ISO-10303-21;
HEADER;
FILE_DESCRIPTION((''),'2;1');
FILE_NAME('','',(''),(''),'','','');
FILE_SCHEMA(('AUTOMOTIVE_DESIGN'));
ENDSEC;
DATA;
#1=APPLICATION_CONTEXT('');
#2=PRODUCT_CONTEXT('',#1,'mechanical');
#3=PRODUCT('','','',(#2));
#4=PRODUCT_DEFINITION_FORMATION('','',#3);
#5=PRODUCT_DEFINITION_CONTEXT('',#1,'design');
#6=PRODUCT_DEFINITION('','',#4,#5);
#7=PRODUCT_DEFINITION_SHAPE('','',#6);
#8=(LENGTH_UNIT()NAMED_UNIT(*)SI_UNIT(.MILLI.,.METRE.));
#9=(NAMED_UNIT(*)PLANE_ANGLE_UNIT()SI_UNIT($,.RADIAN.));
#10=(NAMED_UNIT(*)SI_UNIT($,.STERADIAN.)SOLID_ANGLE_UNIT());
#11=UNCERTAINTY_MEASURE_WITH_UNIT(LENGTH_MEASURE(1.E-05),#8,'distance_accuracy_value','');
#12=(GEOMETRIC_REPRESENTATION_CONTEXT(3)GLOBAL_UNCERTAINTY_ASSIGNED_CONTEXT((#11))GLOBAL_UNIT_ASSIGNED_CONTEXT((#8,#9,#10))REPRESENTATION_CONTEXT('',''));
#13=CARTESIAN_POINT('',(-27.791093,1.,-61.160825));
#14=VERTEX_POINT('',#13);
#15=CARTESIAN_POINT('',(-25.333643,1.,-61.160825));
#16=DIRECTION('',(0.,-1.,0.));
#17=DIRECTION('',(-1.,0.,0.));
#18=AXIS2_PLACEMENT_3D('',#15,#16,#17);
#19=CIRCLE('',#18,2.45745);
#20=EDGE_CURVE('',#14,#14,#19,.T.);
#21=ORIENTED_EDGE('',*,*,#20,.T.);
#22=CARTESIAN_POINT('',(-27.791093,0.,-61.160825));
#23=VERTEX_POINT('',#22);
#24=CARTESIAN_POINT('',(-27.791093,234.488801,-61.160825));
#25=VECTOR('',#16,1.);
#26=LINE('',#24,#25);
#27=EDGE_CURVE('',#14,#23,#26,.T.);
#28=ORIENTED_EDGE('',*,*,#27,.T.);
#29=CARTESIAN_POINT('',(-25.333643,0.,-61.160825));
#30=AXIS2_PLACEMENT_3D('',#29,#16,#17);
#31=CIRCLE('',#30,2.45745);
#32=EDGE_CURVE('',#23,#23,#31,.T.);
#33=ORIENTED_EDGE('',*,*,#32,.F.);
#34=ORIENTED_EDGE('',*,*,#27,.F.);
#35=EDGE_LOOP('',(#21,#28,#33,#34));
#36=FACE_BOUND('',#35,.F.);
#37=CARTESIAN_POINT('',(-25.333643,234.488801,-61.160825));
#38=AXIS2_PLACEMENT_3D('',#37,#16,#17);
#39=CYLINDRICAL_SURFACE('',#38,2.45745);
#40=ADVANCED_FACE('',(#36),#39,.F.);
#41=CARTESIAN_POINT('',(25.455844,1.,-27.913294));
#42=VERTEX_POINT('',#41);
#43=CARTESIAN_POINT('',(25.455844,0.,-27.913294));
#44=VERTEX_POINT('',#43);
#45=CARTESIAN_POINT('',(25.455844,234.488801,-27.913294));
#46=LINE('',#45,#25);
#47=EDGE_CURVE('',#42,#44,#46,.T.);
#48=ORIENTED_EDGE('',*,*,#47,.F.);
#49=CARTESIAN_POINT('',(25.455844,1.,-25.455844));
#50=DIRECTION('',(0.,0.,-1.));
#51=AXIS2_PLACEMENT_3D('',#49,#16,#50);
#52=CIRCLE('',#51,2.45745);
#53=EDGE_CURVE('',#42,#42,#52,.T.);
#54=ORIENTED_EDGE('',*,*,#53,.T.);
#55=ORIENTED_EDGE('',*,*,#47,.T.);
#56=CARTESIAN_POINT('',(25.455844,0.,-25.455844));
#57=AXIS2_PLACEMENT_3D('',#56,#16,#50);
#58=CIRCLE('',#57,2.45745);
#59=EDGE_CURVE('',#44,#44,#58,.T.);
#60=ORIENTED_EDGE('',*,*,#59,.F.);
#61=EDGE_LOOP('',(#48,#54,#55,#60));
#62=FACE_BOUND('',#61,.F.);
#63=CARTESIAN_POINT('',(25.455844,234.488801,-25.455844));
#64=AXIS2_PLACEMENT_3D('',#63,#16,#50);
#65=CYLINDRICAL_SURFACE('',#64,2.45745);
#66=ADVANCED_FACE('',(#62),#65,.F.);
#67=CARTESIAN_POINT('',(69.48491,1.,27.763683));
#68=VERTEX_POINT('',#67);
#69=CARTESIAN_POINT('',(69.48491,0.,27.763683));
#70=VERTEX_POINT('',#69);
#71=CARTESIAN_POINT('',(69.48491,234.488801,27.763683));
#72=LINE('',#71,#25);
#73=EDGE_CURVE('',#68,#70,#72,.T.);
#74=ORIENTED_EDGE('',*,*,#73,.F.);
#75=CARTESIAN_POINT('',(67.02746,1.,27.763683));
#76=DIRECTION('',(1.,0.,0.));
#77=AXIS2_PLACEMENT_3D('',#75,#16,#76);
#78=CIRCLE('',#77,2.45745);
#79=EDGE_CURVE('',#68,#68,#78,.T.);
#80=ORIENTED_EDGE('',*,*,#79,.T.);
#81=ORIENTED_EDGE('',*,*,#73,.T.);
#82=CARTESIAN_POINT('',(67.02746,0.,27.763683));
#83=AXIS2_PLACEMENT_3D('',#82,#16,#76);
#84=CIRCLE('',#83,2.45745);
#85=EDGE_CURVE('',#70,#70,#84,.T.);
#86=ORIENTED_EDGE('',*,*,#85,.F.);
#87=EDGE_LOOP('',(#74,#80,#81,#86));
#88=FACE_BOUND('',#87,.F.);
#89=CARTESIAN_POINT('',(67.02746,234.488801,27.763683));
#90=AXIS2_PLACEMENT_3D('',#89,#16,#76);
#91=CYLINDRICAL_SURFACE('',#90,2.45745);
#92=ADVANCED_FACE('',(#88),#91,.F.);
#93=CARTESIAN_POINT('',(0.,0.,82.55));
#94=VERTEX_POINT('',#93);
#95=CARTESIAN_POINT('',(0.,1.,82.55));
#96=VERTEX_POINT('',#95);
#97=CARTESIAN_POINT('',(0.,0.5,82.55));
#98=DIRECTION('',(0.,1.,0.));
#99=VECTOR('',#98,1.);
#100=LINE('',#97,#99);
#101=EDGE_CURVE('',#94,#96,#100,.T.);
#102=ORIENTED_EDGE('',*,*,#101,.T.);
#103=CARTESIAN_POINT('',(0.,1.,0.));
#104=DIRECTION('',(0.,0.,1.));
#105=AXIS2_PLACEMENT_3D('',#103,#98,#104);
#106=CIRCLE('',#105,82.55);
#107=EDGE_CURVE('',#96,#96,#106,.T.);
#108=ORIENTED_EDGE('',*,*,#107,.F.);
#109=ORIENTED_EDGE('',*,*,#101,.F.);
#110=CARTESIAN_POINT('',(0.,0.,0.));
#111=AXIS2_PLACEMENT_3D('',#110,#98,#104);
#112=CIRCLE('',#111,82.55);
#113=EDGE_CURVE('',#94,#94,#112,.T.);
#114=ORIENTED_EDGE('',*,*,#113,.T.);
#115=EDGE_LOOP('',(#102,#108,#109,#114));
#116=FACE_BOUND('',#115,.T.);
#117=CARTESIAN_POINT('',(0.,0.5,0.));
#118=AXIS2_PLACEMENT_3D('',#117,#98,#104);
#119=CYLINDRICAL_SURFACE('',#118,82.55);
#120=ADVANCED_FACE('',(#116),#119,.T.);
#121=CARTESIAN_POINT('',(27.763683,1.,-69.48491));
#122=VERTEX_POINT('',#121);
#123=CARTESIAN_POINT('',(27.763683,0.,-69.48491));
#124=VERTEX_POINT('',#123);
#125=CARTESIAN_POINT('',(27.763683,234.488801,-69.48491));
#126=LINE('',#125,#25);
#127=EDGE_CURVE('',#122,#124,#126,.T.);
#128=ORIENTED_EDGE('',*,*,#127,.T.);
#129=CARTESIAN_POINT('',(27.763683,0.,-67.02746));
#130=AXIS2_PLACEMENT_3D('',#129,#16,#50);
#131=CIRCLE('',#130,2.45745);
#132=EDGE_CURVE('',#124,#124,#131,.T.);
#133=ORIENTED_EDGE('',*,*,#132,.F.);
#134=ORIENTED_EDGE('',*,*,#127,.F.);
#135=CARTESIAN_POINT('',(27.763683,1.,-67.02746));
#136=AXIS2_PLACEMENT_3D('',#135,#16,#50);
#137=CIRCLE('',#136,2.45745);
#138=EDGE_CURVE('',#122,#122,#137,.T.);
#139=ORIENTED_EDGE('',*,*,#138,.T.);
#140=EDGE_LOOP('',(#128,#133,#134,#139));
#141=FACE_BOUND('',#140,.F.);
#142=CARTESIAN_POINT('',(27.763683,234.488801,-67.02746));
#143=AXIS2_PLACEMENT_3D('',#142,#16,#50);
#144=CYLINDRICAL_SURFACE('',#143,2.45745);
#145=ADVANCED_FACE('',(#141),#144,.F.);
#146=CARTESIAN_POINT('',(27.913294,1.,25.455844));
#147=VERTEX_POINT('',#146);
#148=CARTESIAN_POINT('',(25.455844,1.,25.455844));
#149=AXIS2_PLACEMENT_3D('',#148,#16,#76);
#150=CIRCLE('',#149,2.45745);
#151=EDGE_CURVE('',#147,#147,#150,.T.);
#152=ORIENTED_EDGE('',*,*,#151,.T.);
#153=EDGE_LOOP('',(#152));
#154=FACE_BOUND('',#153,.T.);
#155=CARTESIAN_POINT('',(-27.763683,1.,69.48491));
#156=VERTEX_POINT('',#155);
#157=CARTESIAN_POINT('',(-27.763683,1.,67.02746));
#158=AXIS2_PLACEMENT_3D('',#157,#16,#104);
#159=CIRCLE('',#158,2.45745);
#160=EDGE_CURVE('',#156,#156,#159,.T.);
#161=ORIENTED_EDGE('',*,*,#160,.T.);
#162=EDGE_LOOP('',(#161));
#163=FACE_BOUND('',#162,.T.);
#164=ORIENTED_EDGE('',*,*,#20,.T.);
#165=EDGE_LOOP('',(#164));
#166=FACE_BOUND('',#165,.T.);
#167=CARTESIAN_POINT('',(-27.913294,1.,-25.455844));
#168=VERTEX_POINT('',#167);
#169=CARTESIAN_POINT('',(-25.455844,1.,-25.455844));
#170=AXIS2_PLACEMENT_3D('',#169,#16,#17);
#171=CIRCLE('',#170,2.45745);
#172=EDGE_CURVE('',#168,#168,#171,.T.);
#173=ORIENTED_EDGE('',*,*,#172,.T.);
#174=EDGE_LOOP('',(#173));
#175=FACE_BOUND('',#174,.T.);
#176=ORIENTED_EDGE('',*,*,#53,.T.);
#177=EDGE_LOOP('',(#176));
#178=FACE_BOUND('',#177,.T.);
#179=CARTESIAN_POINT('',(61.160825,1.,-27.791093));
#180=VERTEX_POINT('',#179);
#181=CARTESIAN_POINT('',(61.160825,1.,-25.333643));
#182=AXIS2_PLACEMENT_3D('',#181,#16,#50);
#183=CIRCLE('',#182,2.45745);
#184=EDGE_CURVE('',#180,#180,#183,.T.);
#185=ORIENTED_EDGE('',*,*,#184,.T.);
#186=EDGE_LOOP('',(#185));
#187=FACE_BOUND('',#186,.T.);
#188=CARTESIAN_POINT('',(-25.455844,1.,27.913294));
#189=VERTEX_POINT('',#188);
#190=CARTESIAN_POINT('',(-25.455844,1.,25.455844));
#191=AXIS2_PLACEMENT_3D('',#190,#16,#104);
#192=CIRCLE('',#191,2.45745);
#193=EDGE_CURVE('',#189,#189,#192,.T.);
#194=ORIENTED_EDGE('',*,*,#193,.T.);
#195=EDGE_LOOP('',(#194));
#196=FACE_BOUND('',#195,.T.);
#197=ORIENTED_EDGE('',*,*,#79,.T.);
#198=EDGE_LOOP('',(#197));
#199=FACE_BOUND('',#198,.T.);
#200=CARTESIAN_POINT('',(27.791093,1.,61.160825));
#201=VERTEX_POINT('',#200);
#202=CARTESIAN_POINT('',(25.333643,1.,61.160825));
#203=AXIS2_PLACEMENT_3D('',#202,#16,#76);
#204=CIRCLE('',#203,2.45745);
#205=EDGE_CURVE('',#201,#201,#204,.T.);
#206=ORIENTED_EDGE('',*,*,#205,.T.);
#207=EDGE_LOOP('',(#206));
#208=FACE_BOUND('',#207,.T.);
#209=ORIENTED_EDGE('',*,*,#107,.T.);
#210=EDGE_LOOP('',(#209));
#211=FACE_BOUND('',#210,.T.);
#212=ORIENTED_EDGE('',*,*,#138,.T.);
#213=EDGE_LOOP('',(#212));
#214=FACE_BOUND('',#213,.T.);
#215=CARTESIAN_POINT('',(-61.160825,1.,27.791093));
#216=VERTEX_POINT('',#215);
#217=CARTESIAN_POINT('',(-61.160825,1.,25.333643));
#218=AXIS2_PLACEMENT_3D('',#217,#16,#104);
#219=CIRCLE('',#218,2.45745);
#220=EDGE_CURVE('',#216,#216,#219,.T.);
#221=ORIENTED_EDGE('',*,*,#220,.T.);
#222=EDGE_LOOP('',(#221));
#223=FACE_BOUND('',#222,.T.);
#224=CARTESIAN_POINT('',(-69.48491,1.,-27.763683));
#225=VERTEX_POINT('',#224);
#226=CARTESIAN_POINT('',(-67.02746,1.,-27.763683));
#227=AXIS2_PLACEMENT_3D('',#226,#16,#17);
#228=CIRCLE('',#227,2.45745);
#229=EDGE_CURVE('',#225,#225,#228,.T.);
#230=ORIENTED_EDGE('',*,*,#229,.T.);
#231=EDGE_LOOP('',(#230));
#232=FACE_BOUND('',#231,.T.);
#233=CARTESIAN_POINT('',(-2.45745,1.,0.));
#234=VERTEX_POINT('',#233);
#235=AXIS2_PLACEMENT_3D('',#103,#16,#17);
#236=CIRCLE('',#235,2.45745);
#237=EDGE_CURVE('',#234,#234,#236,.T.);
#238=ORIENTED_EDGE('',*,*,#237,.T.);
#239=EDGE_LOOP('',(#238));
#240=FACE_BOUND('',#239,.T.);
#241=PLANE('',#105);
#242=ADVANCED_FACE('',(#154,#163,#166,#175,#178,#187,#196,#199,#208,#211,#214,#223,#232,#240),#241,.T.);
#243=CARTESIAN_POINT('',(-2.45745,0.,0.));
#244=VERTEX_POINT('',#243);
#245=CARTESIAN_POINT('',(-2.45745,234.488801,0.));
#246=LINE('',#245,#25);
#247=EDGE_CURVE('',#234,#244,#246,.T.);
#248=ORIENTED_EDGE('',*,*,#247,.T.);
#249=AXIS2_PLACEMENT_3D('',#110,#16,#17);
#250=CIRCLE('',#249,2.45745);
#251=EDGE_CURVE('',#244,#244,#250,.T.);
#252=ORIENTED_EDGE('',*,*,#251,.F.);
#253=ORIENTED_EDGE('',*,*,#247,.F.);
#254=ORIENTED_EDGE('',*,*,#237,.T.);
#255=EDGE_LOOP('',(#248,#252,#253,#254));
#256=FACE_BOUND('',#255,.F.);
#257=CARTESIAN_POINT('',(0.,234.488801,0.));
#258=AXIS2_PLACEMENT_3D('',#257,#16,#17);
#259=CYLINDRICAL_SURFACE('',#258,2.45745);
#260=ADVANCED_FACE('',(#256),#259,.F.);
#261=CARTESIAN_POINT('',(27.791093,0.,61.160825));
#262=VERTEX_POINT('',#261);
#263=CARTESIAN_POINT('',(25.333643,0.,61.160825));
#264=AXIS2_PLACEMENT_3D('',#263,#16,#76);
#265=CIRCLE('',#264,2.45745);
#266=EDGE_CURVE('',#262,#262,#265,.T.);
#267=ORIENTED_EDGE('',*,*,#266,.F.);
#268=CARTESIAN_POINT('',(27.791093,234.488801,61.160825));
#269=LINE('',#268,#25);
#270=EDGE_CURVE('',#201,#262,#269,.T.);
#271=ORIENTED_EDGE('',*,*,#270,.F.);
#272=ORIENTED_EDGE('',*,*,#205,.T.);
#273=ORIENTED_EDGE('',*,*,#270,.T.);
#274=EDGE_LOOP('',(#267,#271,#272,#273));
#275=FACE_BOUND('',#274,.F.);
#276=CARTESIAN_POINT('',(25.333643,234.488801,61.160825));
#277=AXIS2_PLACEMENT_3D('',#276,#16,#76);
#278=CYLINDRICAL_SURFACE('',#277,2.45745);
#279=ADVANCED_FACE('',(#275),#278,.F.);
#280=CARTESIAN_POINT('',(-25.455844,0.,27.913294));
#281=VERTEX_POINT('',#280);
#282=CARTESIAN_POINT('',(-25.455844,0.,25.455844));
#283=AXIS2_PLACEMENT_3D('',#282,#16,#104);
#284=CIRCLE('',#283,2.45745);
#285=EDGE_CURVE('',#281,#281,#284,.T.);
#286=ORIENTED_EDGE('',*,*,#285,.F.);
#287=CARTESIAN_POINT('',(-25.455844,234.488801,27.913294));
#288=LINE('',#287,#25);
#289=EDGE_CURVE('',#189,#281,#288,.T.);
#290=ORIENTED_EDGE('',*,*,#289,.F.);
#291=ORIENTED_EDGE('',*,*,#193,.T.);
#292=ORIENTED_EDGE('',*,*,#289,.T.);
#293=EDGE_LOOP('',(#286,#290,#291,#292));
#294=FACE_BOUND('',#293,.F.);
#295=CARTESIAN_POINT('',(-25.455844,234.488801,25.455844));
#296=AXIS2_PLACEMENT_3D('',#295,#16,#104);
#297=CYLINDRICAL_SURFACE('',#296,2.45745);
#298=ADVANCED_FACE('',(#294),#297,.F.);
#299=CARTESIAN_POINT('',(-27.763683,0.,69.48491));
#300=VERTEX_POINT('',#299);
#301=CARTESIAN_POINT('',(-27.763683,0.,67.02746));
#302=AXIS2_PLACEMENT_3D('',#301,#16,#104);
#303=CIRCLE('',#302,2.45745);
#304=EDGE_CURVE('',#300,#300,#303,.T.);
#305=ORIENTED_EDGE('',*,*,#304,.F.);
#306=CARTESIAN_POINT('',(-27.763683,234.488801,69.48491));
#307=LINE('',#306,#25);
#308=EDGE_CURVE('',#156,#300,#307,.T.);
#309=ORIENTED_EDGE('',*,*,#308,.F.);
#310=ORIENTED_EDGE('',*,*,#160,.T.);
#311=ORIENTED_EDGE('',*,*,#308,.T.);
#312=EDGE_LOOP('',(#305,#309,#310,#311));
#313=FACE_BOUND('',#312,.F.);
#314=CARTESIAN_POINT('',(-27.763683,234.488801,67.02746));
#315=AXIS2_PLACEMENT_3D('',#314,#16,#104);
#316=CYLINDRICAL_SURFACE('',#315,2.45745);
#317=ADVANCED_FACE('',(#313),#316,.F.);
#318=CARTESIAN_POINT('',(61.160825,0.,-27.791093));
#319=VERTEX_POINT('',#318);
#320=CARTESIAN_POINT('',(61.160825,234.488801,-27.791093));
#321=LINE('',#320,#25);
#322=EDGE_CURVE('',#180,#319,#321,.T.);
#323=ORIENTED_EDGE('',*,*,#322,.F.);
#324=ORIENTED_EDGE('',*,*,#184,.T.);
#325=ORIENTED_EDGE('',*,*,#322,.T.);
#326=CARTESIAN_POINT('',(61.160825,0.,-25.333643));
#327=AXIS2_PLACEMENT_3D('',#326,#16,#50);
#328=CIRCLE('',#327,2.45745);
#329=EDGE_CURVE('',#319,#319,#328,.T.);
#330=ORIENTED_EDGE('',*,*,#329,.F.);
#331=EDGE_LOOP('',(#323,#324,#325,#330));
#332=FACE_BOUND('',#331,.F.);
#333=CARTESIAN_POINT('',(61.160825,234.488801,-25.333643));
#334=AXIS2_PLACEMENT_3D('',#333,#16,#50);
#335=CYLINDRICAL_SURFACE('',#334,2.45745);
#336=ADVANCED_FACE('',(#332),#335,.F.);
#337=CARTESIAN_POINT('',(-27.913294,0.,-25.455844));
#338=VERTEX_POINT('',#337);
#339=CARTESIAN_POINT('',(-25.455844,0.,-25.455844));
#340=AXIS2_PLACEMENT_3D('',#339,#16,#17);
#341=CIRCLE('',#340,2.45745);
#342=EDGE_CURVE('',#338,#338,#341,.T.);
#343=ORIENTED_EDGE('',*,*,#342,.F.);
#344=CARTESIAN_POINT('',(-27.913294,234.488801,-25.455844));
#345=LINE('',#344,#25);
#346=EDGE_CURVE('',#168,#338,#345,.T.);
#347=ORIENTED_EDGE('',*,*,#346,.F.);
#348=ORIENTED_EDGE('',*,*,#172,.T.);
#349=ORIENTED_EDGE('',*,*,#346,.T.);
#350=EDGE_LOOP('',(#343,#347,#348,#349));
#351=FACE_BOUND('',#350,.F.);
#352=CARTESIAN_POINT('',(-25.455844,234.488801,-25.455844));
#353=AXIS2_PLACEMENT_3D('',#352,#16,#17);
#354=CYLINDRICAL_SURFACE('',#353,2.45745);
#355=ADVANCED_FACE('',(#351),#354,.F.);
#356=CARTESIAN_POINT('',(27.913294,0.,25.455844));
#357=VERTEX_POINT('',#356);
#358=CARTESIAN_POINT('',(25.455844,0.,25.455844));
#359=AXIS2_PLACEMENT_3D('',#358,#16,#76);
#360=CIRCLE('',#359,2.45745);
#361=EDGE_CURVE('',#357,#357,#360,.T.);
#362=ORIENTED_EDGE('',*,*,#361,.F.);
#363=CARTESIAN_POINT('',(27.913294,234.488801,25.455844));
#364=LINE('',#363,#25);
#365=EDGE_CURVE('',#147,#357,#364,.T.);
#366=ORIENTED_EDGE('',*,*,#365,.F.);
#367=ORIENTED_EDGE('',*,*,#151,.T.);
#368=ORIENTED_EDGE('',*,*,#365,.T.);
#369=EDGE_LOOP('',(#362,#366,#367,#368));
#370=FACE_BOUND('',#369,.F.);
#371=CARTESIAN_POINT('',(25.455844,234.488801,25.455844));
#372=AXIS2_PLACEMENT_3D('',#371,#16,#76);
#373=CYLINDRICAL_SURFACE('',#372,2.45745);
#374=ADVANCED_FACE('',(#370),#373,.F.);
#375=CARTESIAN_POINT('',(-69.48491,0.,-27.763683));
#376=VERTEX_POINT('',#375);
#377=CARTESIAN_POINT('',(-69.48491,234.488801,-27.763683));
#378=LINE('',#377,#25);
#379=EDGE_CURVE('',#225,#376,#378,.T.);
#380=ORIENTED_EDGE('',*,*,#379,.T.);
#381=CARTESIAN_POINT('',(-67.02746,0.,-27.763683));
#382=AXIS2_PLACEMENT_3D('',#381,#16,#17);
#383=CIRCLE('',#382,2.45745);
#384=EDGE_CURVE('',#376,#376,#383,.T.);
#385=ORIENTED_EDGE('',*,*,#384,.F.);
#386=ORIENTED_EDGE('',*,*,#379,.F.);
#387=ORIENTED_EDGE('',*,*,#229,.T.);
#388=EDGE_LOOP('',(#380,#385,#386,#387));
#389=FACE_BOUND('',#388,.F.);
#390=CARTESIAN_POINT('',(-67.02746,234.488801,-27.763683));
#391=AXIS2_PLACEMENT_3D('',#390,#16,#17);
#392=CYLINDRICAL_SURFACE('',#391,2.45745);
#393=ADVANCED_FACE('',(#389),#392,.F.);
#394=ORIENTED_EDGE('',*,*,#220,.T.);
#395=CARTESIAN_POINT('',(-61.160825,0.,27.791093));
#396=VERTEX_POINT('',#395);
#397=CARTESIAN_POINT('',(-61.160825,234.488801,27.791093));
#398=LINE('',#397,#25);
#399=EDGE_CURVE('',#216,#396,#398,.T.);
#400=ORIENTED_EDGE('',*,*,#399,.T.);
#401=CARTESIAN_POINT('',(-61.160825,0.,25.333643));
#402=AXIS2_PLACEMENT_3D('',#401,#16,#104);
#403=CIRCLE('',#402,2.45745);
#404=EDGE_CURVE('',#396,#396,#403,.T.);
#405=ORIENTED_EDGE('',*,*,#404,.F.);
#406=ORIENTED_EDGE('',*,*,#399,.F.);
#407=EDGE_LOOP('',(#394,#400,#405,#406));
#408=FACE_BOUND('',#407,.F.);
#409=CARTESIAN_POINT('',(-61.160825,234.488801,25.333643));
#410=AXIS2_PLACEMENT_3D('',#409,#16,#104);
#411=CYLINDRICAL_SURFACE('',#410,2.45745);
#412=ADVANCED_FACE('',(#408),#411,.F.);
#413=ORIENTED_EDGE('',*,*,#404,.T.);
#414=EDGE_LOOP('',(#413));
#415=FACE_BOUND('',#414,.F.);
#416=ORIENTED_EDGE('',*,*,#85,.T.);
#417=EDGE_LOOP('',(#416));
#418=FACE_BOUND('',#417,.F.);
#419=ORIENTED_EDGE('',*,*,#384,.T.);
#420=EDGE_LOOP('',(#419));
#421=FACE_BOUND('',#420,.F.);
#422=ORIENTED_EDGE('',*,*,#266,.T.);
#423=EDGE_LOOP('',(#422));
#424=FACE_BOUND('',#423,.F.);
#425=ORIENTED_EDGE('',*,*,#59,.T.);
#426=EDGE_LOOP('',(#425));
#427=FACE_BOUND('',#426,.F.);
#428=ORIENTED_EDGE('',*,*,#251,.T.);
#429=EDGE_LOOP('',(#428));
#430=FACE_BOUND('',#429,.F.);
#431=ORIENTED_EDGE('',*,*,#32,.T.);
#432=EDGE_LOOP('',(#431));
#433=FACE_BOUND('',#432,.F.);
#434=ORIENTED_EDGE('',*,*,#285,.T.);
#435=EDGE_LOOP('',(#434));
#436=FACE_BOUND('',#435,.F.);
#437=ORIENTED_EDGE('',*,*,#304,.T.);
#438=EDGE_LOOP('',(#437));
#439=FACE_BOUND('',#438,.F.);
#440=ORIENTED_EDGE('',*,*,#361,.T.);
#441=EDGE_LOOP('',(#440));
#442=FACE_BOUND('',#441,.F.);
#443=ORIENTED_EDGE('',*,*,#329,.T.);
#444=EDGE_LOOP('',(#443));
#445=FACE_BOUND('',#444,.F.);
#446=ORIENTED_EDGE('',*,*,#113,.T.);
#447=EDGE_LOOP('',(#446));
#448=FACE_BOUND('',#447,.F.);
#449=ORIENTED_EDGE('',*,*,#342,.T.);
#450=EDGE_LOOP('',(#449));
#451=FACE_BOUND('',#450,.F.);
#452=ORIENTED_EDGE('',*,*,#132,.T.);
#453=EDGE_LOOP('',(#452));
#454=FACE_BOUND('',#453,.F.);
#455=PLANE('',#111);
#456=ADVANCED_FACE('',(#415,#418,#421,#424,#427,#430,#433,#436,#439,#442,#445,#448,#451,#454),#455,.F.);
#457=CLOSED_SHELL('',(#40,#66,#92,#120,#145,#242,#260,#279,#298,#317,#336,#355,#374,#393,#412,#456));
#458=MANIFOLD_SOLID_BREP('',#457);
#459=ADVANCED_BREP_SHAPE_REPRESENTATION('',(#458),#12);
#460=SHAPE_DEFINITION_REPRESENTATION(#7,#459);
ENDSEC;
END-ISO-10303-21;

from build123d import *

# Parameters (mm, degrees)
SKETCH2_W                    = 82.55
SKETCH2_H                    = 1
F_10_0_1935_DIAMETER_HOLE1_D = 4.9149
CIRPATTERN3_COUNT            = 4
F_10_0_1935_DIAMETER_HOLE2_D = 4.9149


with BuildPart() as part:
    # Sketch2 → Revolve1 (revolve)
    with BuildSketch(Plane(origin=(0, 0, 0), x_dir=(0, 0, -1), z_dir=(1, 0, 0))):
        with Locations((-41.275, 0.5)):
            Rectangle(SKETCH2_W, SKETCH2_H)
    revolve(axis=Axis((0, -0.05, 0), (0, 1, 0)))

    # #10 (0.1935) Diameter Hole1 (through all)
    with Locations(Plane(origin=(0, 1, 0), x_dir=(1, 0, 0), z_dir=(0, 1, 0))):
        with Locations((-25.333643223, 61.160825052), (264.743675233, 73.787758551), (-67.027460084, 27.763683018), (-25.455844123, 25.455844123)):
            f_10_0_1935_diameter_hole1 = Hole(F_10_0_1935_DIAMETER_HOLE1_D / 2)

    # CirPattern3: #10 (0.1935) Diameter Hole1 ×4 about axis
    cirpattern3_axis = Axis((0, 0, 0), (0, 1, 0))
    for i in range(1, CIRPATTERN3_COUNT):
        add(f_10_0_1935_diameter_hole1.rotate(cirpattern3_axis, i * 360 / CIRPATTERN3_COUNT), mode=Mode.SUBTRACT)

    # #10 (0.1935) Diameter Hole2 (through all)
    with Locations(Plane(origin=(0, 1, 0), x_dir=(1, 0, 0), z_dir=(0, 1, 0))):
        with Locations((0, 0)):
            Hole(F_10_0_1935_DIAMETER_HOLE2_D / 2)


solid = part.part
